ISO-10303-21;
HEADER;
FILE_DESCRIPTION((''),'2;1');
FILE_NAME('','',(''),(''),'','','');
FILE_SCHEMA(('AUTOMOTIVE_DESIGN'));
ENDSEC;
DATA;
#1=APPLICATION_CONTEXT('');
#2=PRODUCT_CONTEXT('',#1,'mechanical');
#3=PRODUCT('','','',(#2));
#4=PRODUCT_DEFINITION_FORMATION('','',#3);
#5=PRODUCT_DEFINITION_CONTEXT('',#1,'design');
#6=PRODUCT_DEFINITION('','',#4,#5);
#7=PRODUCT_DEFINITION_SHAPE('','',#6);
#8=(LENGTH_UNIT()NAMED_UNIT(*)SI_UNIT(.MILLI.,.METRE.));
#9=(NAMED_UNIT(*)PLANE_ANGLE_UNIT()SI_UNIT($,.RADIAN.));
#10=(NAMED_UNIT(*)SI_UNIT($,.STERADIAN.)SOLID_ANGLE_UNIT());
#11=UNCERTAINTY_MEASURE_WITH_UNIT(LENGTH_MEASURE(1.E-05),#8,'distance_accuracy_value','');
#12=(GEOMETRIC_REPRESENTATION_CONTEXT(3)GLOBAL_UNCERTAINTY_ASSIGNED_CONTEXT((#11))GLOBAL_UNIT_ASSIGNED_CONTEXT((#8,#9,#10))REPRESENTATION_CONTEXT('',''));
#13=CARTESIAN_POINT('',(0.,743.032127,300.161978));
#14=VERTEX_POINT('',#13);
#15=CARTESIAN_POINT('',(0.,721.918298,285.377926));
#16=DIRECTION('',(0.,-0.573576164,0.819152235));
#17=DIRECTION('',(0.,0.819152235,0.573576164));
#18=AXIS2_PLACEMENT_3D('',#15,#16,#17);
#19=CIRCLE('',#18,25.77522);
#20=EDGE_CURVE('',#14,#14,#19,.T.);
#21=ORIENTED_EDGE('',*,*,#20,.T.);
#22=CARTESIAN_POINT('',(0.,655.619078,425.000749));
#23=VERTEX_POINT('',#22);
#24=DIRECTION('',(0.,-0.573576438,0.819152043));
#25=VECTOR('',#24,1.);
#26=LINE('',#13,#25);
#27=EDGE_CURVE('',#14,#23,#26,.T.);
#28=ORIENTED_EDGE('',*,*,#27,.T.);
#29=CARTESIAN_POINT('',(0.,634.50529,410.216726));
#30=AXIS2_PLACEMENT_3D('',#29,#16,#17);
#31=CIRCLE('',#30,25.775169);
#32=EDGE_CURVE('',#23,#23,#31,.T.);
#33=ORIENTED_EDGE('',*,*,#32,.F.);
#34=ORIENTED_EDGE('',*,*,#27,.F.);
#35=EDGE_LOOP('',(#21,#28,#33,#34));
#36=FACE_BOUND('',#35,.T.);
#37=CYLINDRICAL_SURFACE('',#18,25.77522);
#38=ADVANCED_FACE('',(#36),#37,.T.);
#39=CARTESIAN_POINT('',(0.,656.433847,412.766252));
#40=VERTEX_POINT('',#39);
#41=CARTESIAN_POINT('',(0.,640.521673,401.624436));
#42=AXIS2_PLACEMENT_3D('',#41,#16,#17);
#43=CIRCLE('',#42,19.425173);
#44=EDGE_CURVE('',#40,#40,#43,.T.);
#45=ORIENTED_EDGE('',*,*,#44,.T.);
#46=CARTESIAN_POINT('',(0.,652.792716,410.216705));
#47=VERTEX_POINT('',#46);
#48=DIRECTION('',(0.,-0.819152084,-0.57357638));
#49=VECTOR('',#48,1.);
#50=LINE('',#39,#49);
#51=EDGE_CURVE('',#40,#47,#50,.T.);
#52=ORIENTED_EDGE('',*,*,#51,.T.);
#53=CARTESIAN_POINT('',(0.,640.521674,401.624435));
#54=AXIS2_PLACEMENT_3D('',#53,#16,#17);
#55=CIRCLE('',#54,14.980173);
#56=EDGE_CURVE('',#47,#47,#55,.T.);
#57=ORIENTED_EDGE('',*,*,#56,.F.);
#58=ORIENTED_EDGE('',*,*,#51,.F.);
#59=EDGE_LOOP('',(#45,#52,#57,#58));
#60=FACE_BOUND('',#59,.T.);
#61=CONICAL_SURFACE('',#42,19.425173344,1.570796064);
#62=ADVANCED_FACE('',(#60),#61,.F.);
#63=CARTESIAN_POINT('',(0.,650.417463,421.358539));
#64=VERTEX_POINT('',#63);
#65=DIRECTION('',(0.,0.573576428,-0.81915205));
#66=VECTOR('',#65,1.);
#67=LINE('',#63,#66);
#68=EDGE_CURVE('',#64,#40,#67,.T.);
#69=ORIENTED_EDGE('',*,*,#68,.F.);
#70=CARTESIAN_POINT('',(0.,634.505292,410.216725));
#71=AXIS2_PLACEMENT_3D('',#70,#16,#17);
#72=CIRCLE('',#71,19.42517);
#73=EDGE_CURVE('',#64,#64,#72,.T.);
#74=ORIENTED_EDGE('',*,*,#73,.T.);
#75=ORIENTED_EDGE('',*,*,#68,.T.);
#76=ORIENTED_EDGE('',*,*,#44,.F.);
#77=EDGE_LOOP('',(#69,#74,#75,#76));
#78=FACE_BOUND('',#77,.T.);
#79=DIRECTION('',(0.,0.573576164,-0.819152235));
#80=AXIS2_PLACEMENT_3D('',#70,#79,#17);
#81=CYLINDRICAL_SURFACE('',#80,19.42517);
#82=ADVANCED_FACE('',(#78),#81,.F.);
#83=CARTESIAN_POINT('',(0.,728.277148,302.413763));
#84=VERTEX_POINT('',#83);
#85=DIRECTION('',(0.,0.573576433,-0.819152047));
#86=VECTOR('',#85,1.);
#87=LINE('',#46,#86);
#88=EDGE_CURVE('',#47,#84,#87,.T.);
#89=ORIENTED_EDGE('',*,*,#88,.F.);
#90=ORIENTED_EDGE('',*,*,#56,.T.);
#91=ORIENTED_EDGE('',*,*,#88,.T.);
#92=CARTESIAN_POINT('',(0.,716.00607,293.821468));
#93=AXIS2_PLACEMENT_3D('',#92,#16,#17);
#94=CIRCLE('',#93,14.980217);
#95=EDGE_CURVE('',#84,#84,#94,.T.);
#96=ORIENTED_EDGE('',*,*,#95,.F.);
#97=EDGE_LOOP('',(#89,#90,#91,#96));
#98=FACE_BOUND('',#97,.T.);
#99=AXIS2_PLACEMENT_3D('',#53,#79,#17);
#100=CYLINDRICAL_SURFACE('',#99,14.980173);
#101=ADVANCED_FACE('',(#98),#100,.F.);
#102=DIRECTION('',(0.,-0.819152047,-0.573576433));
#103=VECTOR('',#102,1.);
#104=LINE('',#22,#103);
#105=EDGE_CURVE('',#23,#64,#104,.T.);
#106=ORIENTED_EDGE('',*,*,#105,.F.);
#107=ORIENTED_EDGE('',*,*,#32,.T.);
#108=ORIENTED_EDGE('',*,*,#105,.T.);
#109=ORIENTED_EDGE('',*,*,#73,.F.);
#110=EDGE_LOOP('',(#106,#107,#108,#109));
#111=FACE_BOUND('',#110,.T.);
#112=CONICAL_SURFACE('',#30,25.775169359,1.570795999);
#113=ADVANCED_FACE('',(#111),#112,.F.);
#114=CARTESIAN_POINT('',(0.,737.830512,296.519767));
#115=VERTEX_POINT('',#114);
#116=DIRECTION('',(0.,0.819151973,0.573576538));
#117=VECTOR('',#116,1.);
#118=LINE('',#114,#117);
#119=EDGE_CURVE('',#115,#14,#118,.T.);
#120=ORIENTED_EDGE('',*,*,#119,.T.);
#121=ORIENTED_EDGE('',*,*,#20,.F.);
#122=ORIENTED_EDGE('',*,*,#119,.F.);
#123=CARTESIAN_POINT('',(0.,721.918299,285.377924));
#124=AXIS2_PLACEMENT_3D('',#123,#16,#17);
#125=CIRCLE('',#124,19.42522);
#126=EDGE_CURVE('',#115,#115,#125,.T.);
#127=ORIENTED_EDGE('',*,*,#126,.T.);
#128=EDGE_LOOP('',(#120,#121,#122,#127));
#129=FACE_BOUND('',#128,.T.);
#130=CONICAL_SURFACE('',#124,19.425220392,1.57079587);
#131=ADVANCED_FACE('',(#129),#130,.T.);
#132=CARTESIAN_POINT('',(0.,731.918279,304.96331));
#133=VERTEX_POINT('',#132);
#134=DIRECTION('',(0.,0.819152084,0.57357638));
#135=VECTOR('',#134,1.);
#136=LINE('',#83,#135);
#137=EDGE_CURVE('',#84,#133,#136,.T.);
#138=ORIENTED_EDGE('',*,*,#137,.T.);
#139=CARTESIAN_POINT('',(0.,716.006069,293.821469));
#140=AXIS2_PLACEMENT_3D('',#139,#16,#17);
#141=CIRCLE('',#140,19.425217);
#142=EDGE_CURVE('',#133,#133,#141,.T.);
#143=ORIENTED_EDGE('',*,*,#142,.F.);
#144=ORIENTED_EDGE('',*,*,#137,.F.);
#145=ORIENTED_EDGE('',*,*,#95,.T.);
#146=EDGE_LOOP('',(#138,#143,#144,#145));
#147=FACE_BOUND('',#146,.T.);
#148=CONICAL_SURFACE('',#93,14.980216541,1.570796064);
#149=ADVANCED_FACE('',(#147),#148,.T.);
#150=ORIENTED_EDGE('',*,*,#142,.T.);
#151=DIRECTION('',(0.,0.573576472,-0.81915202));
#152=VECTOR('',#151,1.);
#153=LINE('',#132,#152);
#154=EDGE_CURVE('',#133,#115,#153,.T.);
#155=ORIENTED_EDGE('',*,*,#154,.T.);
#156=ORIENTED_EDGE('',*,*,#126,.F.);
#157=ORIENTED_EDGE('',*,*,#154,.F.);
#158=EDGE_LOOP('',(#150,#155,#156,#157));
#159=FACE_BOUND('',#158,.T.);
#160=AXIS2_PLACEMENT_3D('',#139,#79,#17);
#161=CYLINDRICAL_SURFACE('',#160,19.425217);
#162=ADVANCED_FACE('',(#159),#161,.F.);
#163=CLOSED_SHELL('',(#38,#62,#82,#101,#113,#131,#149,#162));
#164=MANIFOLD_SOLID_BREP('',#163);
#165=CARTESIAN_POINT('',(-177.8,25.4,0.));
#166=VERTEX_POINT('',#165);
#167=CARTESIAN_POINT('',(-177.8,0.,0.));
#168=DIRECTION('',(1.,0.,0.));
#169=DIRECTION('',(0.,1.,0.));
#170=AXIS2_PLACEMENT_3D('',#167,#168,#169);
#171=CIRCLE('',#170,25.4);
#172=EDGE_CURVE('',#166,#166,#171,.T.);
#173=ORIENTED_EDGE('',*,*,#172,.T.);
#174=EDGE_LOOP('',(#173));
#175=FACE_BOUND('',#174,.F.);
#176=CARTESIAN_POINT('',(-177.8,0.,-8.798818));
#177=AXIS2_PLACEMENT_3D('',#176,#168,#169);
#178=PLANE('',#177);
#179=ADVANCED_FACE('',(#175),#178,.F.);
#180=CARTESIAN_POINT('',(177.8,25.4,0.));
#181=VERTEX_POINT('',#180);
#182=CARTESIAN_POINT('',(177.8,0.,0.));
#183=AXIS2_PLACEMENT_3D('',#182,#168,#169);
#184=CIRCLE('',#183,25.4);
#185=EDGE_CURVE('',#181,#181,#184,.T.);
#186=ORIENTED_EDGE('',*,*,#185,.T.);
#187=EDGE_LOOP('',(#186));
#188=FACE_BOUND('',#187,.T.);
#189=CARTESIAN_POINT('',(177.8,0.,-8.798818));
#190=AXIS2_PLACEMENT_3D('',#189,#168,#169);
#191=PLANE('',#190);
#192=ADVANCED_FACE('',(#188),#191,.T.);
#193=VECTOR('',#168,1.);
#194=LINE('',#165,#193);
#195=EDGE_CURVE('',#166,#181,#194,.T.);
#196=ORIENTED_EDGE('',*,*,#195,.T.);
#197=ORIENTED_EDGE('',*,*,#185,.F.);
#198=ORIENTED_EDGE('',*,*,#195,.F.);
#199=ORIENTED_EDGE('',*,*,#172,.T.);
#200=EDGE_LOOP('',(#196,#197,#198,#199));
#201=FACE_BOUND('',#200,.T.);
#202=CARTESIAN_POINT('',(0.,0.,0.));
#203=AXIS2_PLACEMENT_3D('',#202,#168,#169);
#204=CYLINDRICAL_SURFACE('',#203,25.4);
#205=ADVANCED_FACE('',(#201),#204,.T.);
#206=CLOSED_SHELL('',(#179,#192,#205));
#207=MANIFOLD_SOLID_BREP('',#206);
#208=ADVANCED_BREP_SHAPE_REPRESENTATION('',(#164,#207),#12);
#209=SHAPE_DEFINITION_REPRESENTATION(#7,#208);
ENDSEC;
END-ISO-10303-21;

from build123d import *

# Parameters (mm, degrees)
F2_DEPTH = 177.8


with BuildPart() as f1:
    # F0 (on Right) → F1 (revolve)
    with BuildSketch(Plane.YZ):
        Polygon((743.032127, 300.161978), (655.619078, 425.000749), (650.417463, 421.358539), (656.433847, 412.766252), (652.792716, 410.216705), (728.277148, 302.413763), (731.918279, 304.96331), (737.830512, 296.519767), align=None)
    revolve(axis=Axis((0, 678.211799, 347.797319), (0, -0.573576, 0.819152)))


with BuildPart() as f2:
    # F0 (on Right) → F2 (new body, symmetric)
    with BuildSketch(Plane.YZ):
        with BuildLine():
            ThreePointArc((-25.4, 0), (0, -25.4), (25.4, 0))
            Line((25.4, 0), (-25.4, 0))
        make_face()
        with BuildLine():
            Line((-25.4, 0), (25.4, 0))
            ThreePointArc((25.4, 0), (0, 25.4), (-25.4, 0))
        make_face()
    extrude(amount=F2_DEPTH, both=True)


solid = Compound([f1.part, f2.part])
